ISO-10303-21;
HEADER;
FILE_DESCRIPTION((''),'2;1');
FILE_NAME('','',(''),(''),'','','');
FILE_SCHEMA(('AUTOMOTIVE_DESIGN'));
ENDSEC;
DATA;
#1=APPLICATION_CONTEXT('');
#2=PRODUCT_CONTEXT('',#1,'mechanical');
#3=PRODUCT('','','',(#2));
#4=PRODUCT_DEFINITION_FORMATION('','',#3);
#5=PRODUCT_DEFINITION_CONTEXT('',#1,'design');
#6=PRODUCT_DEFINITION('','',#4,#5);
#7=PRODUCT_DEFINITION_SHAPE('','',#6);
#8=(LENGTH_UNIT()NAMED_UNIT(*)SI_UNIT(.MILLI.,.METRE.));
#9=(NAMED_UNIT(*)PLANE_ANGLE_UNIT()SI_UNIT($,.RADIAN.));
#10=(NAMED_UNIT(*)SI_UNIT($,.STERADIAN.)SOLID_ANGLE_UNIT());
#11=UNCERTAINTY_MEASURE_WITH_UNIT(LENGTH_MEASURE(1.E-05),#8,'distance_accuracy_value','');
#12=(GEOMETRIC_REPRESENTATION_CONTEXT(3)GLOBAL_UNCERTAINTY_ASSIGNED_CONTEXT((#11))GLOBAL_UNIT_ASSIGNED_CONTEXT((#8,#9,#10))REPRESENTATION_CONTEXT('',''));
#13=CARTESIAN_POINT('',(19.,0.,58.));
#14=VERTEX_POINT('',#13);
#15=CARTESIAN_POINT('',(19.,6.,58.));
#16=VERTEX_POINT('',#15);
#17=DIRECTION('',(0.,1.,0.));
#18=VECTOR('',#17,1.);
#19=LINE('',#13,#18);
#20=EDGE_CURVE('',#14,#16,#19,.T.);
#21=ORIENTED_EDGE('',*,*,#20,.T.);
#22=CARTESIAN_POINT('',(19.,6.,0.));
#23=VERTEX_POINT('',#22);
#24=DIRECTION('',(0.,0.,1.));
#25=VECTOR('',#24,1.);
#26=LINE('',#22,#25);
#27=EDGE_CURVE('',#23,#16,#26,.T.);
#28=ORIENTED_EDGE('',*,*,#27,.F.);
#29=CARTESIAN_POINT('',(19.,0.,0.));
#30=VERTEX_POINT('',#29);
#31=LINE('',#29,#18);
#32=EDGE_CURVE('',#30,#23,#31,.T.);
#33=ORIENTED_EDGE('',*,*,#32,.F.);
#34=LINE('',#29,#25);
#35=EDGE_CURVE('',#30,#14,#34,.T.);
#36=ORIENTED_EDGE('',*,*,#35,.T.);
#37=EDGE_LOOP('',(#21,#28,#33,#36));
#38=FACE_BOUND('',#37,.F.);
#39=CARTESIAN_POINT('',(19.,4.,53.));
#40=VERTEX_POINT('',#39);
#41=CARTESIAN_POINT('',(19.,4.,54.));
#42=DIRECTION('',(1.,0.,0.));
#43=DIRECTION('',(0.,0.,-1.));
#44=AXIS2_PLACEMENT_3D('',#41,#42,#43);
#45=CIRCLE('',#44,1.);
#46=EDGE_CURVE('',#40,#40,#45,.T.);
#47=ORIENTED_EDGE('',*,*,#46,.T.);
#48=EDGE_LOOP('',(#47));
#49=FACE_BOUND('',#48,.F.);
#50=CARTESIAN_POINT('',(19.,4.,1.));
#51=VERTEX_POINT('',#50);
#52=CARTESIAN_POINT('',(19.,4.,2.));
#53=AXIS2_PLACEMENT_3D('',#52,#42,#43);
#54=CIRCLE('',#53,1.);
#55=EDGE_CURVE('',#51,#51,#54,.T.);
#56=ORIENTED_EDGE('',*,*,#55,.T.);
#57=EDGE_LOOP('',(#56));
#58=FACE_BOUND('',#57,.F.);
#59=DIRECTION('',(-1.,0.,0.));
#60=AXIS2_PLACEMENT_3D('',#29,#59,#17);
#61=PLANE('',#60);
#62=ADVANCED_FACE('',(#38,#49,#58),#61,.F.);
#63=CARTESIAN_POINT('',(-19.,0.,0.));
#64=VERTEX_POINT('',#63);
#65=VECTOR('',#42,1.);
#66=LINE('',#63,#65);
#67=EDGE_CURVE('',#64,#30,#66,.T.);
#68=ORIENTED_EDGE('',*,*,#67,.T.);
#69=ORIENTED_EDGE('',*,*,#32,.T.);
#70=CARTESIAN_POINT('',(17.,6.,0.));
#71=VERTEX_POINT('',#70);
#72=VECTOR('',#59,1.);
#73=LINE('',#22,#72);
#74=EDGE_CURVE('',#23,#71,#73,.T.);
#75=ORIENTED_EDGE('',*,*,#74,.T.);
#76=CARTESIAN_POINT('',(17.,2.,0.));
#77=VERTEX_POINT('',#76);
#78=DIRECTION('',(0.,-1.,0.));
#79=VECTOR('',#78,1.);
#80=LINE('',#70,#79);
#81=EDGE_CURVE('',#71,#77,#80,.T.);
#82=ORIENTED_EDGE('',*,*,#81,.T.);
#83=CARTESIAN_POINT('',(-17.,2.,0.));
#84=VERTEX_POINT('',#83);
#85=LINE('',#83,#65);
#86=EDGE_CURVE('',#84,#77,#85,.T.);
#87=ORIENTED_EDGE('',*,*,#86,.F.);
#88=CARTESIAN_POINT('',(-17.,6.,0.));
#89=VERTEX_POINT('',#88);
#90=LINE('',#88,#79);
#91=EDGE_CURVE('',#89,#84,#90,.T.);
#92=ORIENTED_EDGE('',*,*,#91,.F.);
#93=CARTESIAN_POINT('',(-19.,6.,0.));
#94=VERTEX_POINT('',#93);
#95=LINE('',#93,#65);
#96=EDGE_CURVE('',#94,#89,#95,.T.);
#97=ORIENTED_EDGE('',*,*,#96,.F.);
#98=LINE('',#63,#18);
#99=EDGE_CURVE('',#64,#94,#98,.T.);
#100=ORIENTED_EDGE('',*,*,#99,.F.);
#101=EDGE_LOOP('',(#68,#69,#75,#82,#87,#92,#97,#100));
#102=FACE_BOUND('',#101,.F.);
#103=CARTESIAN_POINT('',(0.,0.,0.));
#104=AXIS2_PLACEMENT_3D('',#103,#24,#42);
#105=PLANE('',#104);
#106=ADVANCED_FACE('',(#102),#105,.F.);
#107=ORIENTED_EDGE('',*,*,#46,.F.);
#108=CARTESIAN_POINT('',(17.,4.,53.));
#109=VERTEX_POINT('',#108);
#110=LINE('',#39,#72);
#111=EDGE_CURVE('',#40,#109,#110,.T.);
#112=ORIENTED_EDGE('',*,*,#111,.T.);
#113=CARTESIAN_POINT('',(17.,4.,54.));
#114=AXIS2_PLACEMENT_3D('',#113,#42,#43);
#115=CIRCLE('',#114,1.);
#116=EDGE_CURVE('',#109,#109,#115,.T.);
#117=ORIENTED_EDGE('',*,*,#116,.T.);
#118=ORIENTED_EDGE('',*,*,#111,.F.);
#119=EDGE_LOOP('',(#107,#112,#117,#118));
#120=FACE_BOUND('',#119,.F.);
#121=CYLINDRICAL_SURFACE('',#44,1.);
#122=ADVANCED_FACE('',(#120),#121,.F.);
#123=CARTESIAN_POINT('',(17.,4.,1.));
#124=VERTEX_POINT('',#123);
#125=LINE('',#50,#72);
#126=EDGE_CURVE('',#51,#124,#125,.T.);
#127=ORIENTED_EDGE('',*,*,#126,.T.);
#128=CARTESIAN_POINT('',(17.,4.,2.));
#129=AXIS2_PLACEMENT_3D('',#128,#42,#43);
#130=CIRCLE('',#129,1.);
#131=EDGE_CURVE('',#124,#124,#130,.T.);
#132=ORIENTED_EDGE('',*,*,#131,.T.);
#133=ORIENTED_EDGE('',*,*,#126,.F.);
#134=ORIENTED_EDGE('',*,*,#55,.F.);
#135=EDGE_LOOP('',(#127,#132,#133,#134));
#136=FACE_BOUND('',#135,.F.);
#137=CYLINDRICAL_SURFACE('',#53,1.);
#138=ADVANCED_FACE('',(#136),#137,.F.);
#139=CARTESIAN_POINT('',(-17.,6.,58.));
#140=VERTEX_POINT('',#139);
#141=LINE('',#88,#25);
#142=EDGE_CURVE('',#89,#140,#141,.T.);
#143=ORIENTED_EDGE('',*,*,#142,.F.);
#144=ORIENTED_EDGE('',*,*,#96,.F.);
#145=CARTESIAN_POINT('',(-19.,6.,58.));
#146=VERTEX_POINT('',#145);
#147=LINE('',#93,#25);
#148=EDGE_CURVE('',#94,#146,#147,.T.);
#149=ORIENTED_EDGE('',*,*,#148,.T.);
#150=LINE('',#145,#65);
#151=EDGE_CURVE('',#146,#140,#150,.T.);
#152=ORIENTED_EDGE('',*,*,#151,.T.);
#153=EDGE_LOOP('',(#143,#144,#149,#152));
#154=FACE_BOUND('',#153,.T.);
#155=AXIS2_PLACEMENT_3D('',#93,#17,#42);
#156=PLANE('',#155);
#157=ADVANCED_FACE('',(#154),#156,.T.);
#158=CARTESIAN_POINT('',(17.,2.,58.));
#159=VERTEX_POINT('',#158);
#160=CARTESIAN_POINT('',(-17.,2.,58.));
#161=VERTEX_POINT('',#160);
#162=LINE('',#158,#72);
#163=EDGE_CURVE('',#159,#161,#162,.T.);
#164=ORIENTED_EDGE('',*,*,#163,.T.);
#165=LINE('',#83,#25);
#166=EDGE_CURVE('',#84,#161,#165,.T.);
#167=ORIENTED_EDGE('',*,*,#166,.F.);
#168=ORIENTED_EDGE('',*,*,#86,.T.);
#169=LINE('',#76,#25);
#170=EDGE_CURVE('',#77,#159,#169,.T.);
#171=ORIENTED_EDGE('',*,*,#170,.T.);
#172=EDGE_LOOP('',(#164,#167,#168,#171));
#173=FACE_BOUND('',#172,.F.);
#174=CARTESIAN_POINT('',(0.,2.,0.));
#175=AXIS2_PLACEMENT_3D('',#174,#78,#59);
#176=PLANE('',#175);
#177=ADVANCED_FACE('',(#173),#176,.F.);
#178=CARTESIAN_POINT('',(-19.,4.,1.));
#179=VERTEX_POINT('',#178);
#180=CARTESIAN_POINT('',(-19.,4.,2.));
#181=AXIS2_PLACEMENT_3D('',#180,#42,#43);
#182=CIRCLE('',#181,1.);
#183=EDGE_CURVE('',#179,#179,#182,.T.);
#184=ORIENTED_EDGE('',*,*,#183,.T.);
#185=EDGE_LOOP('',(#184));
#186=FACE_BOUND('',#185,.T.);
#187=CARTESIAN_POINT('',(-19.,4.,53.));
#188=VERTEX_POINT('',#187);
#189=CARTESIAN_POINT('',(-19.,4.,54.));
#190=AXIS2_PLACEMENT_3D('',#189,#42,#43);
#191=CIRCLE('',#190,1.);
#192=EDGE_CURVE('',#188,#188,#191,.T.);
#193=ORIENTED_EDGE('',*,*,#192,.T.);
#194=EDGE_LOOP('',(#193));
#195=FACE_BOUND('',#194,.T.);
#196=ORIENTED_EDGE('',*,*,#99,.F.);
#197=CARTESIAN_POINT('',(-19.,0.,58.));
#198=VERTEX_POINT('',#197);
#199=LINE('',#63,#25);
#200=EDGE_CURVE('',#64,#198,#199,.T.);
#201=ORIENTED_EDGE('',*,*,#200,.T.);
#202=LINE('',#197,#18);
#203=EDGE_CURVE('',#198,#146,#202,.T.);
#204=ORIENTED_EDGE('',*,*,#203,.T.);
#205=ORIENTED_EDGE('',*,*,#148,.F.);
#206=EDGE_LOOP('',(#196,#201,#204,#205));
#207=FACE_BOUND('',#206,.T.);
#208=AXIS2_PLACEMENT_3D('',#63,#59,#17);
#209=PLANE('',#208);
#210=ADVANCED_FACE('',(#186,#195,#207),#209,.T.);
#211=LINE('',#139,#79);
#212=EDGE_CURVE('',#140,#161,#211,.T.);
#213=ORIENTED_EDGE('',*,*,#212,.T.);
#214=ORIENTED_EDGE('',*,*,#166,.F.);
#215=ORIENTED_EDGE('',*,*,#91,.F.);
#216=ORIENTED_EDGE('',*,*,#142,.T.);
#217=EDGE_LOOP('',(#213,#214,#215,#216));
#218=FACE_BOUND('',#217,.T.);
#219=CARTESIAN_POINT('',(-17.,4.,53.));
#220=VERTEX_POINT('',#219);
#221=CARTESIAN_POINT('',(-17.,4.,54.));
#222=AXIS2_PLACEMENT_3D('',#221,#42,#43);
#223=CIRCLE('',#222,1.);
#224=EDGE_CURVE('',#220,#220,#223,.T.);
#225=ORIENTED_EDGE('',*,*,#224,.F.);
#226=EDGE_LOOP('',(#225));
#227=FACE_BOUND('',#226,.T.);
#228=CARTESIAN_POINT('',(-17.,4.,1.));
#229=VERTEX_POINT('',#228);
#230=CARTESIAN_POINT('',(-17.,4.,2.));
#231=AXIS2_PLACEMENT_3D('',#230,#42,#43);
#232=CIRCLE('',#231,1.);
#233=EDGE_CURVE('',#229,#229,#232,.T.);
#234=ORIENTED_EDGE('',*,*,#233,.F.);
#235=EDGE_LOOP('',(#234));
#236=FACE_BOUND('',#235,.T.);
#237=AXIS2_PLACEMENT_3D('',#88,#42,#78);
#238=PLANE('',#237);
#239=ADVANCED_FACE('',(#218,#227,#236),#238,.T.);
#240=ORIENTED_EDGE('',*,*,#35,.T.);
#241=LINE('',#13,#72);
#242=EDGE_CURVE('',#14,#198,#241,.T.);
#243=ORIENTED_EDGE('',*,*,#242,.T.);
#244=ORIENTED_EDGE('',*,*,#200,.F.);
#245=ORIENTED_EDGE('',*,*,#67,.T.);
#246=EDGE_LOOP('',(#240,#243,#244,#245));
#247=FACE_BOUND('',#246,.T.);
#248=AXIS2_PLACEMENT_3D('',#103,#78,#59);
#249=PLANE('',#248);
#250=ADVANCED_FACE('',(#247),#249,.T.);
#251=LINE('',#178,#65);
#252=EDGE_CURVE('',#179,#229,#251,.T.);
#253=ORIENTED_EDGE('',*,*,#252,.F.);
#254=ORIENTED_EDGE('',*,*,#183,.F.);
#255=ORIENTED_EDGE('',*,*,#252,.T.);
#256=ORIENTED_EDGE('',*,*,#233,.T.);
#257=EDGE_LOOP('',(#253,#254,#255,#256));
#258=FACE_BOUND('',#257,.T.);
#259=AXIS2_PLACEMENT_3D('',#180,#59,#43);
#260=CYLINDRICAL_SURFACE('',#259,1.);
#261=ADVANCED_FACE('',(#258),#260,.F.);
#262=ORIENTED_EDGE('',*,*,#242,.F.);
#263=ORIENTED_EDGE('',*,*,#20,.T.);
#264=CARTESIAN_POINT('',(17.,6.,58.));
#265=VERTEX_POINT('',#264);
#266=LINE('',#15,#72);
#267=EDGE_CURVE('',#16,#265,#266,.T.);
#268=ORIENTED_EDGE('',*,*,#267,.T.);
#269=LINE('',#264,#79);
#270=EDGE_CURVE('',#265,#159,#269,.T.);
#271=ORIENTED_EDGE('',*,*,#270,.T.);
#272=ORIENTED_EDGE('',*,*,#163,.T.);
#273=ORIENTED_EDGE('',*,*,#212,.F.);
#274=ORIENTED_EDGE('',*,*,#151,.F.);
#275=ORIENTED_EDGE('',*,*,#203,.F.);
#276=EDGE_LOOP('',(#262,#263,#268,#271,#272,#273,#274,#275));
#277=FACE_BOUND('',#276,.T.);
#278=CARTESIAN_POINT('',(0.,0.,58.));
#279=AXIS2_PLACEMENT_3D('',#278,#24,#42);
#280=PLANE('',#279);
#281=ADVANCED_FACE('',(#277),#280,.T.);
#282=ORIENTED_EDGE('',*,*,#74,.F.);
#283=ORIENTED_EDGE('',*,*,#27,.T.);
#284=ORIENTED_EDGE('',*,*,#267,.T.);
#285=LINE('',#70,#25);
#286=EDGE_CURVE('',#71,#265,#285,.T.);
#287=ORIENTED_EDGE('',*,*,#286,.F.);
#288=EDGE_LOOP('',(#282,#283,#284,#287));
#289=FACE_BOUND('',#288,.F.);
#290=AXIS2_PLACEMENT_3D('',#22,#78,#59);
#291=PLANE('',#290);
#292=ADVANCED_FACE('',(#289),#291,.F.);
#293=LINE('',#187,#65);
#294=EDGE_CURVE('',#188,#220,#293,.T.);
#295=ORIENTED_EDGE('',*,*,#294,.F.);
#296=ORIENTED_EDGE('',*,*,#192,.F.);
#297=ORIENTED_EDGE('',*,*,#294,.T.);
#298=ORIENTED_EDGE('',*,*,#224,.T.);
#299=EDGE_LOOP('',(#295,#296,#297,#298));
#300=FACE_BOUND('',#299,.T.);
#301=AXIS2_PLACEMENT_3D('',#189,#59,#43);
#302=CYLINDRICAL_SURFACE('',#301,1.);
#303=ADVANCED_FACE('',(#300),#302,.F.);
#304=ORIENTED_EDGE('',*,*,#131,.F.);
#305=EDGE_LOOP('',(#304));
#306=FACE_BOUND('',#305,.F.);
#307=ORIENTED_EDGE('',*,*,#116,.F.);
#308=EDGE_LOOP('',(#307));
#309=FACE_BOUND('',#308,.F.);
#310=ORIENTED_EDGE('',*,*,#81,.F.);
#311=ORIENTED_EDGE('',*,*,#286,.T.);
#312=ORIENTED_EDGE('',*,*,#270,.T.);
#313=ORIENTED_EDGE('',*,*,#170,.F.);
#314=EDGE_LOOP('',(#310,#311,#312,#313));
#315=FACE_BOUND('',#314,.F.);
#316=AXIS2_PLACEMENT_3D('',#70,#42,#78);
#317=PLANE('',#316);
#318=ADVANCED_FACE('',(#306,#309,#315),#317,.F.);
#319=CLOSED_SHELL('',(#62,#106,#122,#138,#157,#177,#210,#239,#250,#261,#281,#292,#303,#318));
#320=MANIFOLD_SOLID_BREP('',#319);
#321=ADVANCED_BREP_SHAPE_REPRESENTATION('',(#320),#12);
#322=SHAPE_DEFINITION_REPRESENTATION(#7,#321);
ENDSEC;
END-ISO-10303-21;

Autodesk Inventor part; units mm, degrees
ref_plane "YZ Plane" through (0, 0, 0) normal (1, 0, 0) x (0, 1, 0)
ref_plane "XZ Plane" through (0, 0, 0) normal (0, 1, 0) x (-1, 0, 0)
ref_plane "XY Plane" through (0, 0, 0) normal (0, 0, 1) x (1, 0, 0)
sketch "草图1" plane through (0, 0, 0) normal (0, 0, 1) x (1, 0, 0)
  line L0 (0, -1.2) -> (0, 7.2) construction
  line L1 (-26.6, 0) -> (26.6, 0) construction
  line L2 (0, 0) -> (-19, 0)
  line L3 (0, 2) -> (-17, 2)
  line L4 (-19, 0) -> (-19, 6)
  line L5 (-19, 6) -> (-17, 6)
  line L6 (-17, 6) -> (-17, 2)
  line L7 (0, 0) -> (19, 0)
  line L8 (0, 2) -> (17, 2)
  line L9 (19, 0) -> (19, 6)
  line L10 (19, 6) -> (17, 6)
  line L11 (17, 6) -> (17, 2)
  dimension "d0" = 19
  dimension "d1" = 17
  dimension "d2" = 2
  dimension "d3" = 6
extrude "拉伸1" add sketch "草图1" along normal blind 58
sketch "草图2" plane through (19, 0, 0) normal (1, 0, 0) x (0, 0, -1)
  line L0 (0, 6) -> (0, 0) construction
  line L1 (0, 6) -> (-58, 6) construction
  line L2 (-58, 0) -> (-58, 6) construction
  line L3 (0, 0) -> (-58, 0) construction
  line L4 (0, 2) -> (-58, 2) construction
  line L5 (0, 6) -> (-58, 6) construction
  line L6 (-56, 6) -> (-56, 0) construction
  line L7 (0, 0) -> (-58, 0) construction
  line L8 (-58, 0) -> (-58, 6) construction
  line L9 (-58, 4) -> (0, 4) construction
  circle A0 centre (-54, 4) radius 1
  circle A1 centre (-2, 4) radius 1
  dimension "d6" = 2
  dimension "d7" = 4
  dimension "d8" = 2
  dimension "d9" = 2
  dimension "d10" = 2
  dimension "d11" = 2
extrude "拉伸2" cut sketch "草图2" against normal blind 2
mirror "镜像1" about plane through (0, 0, 0) normal (1, 0, 0) of "拉伸2"
properties part number "CaseBottom"
